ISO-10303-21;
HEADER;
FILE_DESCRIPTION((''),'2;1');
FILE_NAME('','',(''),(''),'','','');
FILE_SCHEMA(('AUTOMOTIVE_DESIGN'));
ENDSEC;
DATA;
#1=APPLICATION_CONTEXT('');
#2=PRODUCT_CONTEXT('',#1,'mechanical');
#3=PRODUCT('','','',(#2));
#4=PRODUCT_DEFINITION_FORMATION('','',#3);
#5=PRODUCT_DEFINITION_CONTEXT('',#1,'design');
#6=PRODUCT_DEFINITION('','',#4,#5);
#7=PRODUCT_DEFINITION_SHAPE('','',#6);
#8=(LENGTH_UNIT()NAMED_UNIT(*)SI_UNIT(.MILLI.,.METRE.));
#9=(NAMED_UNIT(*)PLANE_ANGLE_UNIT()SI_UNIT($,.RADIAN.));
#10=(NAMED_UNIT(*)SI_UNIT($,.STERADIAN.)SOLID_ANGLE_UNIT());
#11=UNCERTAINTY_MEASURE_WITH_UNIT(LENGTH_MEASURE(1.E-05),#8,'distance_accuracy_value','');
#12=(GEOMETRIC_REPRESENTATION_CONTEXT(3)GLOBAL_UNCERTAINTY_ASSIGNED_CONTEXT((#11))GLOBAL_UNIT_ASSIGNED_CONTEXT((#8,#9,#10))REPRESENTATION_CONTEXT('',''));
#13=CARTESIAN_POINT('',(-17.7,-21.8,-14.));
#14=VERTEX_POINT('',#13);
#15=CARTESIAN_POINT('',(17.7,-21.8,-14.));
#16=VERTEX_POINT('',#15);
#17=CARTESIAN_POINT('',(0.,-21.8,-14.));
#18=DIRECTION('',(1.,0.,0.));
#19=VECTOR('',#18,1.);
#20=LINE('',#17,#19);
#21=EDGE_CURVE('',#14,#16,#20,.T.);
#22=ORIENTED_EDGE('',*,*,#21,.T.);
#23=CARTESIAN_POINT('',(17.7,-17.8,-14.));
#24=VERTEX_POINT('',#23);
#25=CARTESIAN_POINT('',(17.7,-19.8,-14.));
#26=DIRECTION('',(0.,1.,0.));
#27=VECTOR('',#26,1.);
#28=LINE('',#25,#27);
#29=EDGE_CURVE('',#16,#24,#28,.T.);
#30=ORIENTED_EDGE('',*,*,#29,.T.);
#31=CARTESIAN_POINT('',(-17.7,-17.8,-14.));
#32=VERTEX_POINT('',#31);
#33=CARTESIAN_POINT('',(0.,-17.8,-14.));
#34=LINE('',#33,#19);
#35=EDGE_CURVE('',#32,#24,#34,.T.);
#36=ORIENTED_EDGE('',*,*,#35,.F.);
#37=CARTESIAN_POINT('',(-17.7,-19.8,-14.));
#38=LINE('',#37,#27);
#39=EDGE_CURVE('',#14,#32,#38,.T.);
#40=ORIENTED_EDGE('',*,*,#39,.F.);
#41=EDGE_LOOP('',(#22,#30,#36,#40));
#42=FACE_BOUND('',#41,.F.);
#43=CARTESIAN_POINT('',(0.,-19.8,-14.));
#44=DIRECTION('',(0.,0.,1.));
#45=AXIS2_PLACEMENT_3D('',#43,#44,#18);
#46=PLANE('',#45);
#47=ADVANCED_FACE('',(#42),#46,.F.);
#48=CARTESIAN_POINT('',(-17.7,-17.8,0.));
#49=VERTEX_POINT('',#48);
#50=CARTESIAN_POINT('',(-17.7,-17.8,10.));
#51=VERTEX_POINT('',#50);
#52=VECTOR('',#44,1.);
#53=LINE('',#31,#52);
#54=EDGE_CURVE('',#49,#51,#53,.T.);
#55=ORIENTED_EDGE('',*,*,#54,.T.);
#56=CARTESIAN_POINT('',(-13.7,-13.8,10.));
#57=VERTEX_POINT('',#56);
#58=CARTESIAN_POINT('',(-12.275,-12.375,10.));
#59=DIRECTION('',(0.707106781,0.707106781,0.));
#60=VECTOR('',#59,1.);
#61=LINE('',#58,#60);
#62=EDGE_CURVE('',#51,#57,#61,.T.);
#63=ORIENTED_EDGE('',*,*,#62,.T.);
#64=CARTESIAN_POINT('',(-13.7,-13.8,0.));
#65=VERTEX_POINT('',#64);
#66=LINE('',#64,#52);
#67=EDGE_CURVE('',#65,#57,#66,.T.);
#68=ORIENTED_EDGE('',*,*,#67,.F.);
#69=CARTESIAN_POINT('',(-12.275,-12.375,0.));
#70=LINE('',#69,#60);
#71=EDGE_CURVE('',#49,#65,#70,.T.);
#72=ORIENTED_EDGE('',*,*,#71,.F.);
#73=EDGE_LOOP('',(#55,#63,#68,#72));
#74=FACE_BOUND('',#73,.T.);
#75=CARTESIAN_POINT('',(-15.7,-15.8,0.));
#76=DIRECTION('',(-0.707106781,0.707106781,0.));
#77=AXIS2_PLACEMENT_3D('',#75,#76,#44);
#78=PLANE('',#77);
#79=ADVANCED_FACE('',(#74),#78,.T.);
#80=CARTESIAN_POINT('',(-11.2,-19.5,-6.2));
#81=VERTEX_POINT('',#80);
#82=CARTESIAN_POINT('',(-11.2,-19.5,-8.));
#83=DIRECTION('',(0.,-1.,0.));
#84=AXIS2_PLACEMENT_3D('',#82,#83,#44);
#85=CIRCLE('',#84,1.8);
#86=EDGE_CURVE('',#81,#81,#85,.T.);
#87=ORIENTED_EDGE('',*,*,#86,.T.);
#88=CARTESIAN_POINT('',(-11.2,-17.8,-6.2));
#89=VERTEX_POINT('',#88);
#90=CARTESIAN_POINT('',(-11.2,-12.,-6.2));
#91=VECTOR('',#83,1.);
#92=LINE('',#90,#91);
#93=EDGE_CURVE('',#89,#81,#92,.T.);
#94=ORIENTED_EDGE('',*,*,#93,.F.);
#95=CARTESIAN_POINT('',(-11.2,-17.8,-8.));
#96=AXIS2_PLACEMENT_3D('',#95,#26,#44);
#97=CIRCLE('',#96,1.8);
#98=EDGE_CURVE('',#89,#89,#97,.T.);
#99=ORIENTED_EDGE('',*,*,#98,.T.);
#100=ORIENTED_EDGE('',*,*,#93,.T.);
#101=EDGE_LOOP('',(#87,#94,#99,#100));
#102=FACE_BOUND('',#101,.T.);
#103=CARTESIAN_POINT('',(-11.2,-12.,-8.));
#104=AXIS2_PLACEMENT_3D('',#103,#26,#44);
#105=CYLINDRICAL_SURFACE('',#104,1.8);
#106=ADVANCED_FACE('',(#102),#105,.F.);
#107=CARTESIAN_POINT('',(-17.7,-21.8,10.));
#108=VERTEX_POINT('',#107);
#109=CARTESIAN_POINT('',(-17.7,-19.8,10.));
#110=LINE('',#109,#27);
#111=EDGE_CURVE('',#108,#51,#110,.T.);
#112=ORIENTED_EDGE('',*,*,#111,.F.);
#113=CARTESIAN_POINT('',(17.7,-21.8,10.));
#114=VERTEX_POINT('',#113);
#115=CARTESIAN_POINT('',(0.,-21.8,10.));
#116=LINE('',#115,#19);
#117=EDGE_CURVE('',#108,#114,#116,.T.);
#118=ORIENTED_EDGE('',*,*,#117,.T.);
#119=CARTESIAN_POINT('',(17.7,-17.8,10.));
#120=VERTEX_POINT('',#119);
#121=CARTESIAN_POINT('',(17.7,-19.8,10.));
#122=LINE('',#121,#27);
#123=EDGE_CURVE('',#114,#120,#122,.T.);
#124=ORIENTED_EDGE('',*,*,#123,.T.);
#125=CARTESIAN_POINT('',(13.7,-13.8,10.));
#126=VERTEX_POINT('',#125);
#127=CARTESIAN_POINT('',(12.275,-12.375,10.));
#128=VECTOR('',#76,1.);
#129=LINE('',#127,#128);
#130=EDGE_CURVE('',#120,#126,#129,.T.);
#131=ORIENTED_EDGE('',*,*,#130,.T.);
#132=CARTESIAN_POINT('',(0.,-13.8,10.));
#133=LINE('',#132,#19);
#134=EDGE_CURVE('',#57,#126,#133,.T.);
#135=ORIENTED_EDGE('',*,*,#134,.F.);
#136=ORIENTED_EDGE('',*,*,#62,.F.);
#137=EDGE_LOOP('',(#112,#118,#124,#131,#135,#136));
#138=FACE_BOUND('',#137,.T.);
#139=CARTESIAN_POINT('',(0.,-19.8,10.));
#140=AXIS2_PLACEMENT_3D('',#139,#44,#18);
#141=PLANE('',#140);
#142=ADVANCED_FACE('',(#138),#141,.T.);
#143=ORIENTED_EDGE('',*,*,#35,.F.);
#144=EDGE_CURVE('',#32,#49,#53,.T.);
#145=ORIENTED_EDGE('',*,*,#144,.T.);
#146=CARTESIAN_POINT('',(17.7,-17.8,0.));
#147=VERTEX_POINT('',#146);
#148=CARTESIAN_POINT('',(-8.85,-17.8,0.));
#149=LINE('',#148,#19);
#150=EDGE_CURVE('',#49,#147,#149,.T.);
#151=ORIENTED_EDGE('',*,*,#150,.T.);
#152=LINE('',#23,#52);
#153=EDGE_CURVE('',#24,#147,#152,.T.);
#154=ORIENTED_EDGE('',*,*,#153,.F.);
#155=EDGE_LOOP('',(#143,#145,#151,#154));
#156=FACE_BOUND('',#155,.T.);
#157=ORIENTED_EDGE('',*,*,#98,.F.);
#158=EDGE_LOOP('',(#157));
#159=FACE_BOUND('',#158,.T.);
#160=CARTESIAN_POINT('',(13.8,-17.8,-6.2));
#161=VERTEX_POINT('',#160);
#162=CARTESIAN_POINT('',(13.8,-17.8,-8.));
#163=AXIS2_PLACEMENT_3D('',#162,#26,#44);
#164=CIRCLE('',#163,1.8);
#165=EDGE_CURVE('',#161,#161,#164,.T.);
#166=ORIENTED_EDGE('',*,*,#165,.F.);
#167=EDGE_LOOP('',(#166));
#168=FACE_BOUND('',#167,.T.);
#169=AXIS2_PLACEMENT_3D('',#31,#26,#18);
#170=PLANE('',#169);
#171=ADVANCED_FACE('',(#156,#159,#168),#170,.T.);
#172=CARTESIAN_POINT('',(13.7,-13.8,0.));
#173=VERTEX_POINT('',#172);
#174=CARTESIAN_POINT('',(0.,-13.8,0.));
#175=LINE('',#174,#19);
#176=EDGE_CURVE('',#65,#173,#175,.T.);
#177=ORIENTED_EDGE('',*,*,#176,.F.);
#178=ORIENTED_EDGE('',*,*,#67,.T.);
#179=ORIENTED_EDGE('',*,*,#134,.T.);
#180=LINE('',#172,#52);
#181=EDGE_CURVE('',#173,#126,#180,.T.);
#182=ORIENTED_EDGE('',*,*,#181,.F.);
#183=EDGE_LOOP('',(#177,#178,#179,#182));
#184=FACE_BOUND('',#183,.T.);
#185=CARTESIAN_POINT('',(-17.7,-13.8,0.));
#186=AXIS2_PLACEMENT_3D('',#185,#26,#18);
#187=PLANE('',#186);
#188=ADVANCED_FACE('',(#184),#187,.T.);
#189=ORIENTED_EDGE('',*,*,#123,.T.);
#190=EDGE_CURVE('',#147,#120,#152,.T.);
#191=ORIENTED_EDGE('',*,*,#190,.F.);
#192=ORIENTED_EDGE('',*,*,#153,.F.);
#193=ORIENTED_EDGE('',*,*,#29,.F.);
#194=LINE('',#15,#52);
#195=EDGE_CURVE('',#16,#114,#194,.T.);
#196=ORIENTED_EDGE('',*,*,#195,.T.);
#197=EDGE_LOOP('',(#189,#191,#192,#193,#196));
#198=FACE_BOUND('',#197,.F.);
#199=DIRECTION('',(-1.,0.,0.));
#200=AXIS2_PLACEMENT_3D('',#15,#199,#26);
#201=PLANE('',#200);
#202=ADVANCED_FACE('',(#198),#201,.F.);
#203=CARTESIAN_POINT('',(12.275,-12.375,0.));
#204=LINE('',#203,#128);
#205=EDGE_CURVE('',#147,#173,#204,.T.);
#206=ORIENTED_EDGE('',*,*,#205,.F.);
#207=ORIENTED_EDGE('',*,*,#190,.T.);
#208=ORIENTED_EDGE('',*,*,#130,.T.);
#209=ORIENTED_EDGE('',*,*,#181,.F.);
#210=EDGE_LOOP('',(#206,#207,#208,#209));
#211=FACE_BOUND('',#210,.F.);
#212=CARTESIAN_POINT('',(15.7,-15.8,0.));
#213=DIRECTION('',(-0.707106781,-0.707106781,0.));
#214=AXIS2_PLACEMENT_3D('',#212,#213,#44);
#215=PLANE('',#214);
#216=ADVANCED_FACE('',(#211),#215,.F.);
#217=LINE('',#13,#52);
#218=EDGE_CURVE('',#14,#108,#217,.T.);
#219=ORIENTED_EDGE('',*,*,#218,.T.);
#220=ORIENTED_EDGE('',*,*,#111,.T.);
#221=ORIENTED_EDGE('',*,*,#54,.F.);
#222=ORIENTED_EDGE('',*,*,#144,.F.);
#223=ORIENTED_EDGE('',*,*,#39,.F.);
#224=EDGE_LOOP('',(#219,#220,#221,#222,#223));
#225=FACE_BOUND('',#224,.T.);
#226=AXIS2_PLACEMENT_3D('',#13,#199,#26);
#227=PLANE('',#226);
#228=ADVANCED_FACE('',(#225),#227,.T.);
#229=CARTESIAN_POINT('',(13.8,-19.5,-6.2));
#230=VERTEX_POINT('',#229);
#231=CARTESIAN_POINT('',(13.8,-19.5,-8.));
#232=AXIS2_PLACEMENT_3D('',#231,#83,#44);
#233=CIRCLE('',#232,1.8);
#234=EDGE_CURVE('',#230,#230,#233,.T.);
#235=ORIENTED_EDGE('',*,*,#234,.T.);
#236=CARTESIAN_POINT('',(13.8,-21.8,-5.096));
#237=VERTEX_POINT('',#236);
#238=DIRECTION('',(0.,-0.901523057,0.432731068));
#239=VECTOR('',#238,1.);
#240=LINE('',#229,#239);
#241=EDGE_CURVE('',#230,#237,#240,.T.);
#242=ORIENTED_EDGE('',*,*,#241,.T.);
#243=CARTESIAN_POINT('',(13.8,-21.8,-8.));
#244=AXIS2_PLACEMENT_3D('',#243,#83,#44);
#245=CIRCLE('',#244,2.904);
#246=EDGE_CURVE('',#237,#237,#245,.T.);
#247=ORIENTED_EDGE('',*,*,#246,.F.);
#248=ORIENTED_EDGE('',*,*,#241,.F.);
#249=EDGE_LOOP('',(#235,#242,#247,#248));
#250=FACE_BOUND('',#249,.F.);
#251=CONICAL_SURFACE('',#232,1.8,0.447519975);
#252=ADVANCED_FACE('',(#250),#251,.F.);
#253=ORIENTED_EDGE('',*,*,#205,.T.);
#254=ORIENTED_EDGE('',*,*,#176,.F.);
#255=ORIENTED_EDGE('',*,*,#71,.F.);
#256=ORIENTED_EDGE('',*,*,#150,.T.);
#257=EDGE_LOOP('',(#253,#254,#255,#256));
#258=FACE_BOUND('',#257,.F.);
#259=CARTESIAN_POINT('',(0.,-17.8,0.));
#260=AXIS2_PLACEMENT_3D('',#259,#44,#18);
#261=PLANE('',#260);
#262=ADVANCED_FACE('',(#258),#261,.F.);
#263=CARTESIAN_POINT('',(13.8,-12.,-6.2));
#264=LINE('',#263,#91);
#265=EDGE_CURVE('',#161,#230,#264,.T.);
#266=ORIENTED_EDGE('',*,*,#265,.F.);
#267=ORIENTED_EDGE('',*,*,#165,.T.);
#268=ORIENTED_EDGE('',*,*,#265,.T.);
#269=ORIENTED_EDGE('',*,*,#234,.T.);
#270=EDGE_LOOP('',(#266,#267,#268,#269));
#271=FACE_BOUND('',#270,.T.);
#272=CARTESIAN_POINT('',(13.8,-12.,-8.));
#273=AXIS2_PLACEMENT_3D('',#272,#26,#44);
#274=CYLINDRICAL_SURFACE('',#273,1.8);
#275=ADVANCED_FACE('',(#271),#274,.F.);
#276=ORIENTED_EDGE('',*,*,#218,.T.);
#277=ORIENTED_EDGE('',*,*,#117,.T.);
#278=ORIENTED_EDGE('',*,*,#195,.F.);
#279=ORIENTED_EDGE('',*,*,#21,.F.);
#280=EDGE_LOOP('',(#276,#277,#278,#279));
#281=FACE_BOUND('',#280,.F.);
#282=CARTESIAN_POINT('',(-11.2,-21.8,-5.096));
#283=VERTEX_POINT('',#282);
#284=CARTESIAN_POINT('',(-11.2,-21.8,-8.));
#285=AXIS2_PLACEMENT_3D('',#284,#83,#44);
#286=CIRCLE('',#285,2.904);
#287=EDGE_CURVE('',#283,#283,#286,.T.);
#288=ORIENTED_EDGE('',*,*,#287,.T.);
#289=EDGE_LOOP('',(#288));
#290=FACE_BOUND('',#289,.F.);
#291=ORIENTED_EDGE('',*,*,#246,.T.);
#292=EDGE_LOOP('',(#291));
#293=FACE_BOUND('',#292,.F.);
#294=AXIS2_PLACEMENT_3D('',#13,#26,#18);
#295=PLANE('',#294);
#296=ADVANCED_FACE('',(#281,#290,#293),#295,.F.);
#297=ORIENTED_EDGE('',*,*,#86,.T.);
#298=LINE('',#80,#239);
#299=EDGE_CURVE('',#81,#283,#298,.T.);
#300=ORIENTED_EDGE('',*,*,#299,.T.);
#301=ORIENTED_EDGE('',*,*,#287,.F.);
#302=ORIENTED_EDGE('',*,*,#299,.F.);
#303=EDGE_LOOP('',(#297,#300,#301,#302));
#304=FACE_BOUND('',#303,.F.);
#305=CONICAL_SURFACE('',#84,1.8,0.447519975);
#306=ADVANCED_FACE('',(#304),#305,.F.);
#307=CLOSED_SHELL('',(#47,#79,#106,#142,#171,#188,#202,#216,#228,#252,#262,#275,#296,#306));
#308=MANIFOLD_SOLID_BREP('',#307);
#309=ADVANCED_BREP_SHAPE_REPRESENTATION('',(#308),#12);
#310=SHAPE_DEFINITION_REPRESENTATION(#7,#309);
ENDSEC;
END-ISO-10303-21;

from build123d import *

# Parameters (mm, degrees)
BOX054_W                = 35.4
BOX054_H                = 8
BOX054_DEPTH            = 10
CHAMFER005_SIZE         = 4
CYLINDER109_R           = 1.8
CYLINDER109_DEPTH       = 10
BODY054_PLACEMENT_ANGLE = 90
ARRAY001047_Y_COUNT     = 2
ARRAY001047_Y_PITCH     = 25
ARRAY001047_Z_COUNT     = 3
ARRAY001047_Z_PITCH     = 20
BODY055_PLACEMENT_ANGLE = 90
BOX053_W                = 35.4
BOX053_H                = 4
BOX053_DEPTH            = 24


with BuildPart() as chamfer005:
    # Box054 → Box054 (new body)
    with BuildSketch(Plane(origin=(-17.7, -21.8, 0), x_dir=(1, 0, 0), z_dir=(0, 0, 1))):
        with Locations((17.7, 4)):
            Rectangle(BOX054_W, BOX054_H)
    extrude(amount=BOX054_DEPTH)

    # Chamfer005
    chamfer005_edges = [chamfer005.edges().sort_by_distance(p)[0] for p in [
        (-17.7, -13.8, 5),
        (17.7, -13.8, 5),
    ]]
    chamfer(chamfer005_edges, length=CHAMFER005_SIZE)


with BuildPart() as cone:
    # Cone → Cone (revolve)
    with BuildSketch(Plane(origin=(0, 0, 7.5), x_dir=(1, 0, 0), z_dir=(0, -1, 0))):
        Polygon((0, 0), (1.8, 0), (3, 2.5), (0, 2.5), align=None)
    revolve(axis=Axis((0, 0, 7.5), (0, 0, 1)))


with BuildPart() as top_screw_hole_array_clone:
    # Cylinder109 → Cylinder109 (new body)
    with BuildSketch(Plane.XY):
        Circle(CYLINDER109_R)
    extrude(amount=CYLINDER109_DEPTH)

    # Fusion085: union Cone
    add(cone.part)


with BuildPart() as top_screw_hole_array_clone_1:
    # Body054 placement: moved
    add(top_screw_hole_array_clone.part.rotate(Axis((0, 0, 0), (0, -1, 0)), BODY054_PLACEMENT_ANGLE))

    # Array001047 Y: top screw hole array clone ×2


with BuildPart() as top_screw_hole_array_clone_2:
    add(top_screw_hole_array_clone_1.part)
    with Locations(*[(0, i * ARRAY001047_Y_PITCH, 0) for i in range(1, ARRAY001047_Y_COUNT)]):
        add(top_screw_hole_array_clone_1.part)

    # Array001047 Z: top screw hole array clone ×3


with BuildPart() as top_screw_hole_array_clone_3:
    add(top_screw_hole_array_clone_2.part)
    with Locations(*[(0, 0, i * ARRAY001047_Z_PITCH) for i in range(1, ARRAY001047_Z_COUNT)]):
        add(top_screw_hole_array_clone_2.part)


with BuildPart() as top_screw_hole_array_clone_4:
    # Array001047 placement: moved
    add(top_screw_hole_array_clone_3.part.moved(Location((0, 4, 35))))


with BuildPart() as top_screw_hole_array_clone_5:
    # Body055 placement: moved
    add(top_screw_hole_array_clone_4.part.moved(Location((17.8, -12, -83))).rotate(Axis((17.8, -12, -83), (0, 0, 1)), BODY055_PLACEMENT_ANGLE))


with BuildPart() as fusion084:
    # Box053 → Box053 (new body)
    with BuildSketch(Plane(origin=(-17.7, -21.8, -14), x_dir=(1, 0, 0), z_dir=(0, 0, 1))):
        with Locations((17.7, 2)):
            Rectangle(BOX053_W, BOX053_H)
    extrude(amount=BOX053_DEPTH)

    # Cut023020: cut top screw hole array clone
    add(top_screw_hole_array_clone_5.part, mode=Mode.SUBTRACT)

    # Fusion084: union Chamfer005
    add(chamfer005.part)


solid = fusion084.part
